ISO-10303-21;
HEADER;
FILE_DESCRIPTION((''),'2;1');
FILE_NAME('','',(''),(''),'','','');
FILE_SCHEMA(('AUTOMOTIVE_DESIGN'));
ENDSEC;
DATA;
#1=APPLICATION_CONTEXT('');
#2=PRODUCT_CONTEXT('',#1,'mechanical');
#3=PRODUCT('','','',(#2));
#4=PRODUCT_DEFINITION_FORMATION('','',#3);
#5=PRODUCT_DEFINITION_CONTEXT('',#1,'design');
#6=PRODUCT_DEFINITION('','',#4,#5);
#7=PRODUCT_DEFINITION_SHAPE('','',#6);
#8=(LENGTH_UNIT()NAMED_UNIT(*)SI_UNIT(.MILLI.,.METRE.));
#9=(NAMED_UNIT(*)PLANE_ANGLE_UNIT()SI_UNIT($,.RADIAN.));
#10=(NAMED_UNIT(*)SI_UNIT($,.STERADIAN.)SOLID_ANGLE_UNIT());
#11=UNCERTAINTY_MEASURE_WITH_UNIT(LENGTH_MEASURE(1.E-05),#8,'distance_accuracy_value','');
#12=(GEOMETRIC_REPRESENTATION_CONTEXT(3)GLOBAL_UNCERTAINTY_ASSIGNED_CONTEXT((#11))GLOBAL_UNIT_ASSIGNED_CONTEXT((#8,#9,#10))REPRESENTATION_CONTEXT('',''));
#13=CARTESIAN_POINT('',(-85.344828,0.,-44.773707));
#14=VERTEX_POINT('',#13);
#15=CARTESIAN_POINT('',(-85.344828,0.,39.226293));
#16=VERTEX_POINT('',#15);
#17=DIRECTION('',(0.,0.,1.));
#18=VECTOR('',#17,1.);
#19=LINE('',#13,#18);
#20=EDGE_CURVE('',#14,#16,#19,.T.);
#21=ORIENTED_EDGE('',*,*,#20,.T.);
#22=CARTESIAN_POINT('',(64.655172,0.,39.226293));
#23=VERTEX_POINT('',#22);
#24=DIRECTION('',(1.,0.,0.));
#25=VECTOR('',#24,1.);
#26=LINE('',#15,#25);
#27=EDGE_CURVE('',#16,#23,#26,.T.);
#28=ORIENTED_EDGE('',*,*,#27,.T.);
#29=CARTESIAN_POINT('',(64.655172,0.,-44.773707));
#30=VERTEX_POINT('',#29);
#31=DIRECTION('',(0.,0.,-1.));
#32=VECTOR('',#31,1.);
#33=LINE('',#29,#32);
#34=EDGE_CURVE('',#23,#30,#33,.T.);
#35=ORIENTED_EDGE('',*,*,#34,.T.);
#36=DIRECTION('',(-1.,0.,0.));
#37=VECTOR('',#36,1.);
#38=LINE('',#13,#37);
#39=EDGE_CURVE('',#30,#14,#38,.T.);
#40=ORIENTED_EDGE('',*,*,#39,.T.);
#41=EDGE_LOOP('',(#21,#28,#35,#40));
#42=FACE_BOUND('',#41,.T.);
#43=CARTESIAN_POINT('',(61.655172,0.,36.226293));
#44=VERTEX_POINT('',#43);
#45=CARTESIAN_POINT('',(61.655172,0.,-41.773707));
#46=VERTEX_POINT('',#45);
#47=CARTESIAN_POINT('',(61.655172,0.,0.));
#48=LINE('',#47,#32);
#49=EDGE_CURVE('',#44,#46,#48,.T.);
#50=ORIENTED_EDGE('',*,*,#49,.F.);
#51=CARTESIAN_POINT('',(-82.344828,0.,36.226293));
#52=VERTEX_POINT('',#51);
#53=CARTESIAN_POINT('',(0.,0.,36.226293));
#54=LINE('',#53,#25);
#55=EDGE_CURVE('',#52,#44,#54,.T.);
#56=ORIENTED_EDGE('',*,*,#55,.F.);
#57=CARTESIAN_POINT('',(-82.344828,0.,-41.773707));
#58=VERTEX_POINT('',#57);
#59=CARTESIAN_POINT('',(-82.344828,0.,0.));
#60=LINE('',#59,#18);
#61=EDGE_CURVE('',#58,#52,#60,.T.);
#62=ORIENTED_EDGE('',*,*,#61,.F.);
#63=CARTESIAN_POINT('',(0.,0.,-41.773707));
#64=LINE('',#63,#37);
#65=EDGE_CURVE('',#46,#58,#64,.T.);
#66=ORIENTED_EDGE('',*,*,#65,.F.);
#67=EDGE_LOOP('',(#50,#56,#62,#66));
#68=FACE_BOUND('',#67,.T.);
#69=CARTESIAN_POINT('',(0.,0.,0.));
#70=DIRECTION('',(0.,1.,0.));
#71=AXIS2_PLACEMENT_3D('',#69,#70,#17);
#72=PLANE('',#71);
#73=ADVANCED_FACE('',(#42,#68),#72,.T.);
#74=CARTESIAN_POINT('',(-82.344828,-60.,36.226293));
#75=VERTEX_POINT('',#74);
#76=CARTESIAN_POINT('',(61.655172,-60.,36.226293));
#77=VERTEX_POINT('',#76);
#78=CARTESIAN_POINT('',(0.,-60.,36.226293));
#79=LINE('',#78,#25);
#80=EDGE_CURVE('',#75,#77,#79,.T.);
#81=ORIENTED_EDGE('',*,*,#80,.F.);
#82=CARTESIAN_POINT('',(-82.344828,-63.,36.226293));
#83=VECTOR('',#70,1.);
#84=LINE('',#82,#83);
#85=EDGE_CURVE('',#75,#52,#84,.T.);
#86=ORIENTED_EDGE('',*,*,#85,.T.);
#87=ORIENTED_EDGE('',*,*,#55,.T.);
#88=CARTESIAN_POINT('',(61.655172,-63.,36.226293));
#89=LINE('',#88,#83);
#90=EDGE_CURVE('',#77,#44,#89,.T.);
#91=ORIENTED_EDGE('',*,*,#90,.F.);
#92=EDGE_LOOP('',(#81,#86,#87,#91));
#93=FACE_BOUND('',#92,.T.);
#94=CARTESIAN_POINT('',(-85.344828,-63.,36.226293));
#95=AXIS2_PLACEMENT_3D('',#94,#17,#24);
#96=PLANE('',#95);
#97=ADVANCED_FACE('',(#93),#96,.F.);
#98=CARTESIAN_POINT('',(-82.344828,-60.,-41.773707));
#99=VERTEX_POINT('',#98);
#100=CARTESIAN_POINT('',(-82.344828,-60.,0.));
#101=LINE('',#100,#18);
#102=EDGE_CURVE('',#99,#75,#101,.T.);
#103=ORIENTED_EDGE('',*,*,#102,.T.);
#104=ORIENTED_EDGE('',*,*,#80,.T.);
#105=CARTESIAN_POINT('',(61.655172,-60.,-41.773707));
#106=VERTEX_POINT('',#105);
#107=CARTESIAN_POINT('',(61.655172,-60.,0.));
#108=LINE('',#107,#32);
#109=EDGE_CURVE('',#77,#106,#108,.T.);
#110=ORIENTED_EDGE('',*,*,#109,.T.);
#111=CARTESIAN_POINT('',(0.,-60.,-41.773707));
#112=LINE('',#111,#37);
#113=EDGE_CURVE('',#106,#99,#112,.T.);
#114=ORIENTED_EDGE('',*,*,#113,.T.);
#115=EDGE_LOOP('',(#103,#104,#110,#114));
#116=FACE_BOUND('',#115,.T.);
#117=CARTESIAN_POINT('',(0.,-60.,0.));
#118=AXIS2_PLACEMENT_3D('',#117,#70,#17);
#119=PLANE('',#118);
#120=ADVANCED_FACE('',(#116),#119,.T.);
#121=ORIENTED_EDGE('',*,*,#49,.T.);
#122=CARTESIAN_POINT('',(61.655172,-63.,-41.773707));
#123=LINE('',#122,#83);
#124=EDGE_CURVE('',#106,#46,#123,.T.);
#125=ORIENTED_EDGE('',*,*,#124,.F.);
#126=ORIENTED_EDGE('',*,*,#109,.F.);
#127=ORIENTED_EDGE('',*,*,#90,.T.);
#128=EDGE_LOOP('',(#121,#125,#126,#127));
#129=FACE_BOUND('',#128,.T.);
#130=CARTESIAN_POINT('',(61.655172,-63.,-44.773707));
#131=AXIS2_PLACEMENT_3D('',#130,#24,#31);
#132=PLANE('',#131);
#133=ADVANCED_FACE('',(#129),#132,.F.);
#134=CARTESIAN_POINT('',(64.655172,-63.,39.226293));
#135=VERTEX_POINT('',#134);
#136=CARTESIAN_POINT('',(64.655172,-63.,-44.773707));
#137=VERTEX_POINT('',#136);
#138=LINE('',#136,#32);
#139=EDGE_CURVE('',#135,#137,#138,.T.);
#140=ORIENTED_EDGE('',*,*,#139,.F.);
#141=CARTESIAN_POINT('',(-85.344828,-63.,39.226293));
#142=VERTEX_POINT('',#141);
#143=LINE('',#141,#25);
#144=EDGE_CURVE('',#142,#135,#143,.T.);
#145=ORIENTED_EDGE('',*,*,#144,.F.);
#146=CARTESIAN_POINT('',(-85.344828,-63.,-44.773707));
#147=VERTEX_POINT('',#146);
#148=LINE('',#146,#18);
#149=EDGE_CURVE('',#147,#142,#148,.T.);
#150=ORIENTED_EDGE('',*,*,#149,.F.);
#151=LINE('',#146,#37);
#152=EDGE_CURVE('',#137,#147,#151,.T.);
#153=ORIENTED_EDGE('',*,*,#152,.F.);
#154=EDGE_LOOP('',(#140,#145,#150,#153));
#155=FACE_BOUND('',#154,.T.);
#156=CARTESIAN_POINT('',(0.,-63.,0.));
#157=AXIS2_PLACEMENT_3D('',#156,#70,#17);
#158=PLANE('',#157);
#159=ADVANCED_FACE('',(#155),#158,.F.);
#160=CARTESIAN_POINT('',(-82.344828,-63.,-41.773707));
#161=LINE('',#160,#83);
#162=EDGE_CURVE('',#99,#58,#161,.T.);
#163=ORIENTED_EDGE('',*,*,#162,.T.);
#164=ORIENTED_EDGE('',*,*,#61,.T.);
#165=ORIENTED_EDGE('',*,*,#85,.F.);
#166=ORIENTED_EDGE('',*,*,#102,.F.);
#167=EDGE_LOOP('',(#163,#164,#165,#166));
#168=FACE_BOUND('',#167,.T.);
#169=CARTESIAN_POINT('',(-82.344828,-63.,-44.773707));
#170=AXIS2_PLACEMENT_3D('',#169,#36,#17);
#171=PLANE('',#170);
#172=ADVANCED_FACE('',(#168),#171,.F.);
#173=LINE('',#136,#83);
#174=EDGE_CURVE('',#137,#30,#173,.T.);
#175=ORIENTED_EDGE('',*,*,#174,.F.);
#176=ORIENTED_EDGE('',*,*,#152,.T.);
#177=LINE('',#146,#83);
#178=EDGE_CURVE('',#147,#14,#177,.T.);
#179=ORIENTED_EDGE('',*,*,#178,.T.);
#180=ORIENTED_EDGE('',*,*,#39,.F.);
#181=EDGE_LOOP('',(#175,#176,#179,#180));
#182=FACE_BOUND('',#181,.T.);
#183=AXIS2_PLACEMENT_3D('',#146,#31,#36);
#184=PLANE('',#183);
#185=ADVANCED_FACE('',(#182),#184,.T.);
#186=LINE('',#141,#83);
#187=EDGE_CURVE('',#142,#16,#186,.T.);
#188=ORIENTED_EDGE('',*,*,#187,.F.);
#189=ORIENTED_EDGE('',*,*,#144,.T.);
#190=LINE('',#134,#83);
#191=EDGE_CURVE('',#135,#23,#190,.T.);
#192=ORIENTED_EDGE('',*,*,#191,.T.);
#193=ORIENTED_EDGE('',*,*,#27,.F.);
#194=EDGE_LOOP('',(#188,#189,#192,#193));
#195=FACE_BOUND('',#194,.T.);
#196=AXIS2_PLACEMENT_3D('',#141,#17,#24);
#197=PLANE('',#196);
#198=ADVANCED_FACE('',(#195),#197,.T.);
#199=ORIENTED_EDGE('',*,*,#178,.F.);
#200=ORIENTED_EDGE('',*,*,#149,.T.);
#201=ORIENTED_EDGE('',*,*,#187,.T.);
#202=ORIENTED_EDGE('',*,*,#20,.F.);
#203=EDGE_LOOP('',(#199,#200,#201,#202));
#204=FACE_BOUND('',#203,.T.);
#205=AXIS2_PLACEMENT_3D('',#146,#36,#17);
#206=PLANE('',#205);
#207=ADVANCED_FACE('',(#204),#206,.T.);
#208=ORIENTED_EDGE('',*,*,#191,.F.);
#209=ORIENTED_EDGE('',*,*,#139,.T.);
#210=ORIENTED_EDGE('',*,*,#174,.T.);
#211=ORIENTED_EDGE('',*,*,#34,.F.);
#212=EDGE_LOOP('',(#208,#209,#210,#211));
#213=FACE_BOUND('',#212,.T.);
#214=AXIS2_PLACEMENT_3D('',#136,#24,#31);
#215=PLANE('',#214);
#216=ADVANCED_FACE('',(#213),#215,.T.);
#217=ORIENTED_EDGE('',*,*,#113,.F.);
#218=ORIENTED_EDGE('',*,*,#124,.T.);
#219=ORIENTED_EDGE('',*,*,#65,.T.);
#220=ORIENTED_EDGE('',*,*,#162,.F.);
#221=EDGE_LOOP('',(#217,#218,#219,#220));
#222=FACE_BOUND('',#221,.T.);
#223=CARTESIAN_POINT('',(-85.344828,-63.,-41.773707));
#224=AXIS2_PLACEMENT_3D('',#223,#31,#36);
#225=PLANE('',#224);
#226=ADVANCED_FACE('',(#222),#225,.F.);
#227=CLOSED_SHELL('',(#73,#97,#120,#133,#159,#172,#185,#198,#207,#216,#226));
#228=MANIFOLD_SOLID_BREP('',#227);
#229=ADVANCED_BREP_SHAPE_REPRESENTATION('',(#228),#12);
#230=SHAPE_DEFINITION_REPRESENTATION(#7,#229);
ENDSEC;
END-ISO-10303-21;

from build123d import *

# Parameters (mm, degrees)
SKETCH1_W           = 150
SKETCH1_H           = 84
BOSS_EXTRUDE1_DEPTH = 63
SHELL1_T            = -3


with BuildPart() as part:
    # Sketch1 → Boss-Extrude1 (new body)
    with BuildSketch(Plane(origin=(0, 0, 0), x_dir=(1, 0, 0), z_dir=(0, 1, 0))):
        with Locations((-10.344827586, 2.773706897)):
            Rectangle(SKETCH1_W, SKETCH1_H)
    extrude(amount=-BOSS_EXTRUDE1_DEPTH)

    # Shell1
    shell1_openings = [part.faces().sort_by_distance(p)[0] for p in [
        (-10.344827586, 0, -2.773706897),
    ]]
    offset(amount=SHELL1_T, openings=shell1_openings, kind=Kind.INTERSECTION)


solid = part.part
